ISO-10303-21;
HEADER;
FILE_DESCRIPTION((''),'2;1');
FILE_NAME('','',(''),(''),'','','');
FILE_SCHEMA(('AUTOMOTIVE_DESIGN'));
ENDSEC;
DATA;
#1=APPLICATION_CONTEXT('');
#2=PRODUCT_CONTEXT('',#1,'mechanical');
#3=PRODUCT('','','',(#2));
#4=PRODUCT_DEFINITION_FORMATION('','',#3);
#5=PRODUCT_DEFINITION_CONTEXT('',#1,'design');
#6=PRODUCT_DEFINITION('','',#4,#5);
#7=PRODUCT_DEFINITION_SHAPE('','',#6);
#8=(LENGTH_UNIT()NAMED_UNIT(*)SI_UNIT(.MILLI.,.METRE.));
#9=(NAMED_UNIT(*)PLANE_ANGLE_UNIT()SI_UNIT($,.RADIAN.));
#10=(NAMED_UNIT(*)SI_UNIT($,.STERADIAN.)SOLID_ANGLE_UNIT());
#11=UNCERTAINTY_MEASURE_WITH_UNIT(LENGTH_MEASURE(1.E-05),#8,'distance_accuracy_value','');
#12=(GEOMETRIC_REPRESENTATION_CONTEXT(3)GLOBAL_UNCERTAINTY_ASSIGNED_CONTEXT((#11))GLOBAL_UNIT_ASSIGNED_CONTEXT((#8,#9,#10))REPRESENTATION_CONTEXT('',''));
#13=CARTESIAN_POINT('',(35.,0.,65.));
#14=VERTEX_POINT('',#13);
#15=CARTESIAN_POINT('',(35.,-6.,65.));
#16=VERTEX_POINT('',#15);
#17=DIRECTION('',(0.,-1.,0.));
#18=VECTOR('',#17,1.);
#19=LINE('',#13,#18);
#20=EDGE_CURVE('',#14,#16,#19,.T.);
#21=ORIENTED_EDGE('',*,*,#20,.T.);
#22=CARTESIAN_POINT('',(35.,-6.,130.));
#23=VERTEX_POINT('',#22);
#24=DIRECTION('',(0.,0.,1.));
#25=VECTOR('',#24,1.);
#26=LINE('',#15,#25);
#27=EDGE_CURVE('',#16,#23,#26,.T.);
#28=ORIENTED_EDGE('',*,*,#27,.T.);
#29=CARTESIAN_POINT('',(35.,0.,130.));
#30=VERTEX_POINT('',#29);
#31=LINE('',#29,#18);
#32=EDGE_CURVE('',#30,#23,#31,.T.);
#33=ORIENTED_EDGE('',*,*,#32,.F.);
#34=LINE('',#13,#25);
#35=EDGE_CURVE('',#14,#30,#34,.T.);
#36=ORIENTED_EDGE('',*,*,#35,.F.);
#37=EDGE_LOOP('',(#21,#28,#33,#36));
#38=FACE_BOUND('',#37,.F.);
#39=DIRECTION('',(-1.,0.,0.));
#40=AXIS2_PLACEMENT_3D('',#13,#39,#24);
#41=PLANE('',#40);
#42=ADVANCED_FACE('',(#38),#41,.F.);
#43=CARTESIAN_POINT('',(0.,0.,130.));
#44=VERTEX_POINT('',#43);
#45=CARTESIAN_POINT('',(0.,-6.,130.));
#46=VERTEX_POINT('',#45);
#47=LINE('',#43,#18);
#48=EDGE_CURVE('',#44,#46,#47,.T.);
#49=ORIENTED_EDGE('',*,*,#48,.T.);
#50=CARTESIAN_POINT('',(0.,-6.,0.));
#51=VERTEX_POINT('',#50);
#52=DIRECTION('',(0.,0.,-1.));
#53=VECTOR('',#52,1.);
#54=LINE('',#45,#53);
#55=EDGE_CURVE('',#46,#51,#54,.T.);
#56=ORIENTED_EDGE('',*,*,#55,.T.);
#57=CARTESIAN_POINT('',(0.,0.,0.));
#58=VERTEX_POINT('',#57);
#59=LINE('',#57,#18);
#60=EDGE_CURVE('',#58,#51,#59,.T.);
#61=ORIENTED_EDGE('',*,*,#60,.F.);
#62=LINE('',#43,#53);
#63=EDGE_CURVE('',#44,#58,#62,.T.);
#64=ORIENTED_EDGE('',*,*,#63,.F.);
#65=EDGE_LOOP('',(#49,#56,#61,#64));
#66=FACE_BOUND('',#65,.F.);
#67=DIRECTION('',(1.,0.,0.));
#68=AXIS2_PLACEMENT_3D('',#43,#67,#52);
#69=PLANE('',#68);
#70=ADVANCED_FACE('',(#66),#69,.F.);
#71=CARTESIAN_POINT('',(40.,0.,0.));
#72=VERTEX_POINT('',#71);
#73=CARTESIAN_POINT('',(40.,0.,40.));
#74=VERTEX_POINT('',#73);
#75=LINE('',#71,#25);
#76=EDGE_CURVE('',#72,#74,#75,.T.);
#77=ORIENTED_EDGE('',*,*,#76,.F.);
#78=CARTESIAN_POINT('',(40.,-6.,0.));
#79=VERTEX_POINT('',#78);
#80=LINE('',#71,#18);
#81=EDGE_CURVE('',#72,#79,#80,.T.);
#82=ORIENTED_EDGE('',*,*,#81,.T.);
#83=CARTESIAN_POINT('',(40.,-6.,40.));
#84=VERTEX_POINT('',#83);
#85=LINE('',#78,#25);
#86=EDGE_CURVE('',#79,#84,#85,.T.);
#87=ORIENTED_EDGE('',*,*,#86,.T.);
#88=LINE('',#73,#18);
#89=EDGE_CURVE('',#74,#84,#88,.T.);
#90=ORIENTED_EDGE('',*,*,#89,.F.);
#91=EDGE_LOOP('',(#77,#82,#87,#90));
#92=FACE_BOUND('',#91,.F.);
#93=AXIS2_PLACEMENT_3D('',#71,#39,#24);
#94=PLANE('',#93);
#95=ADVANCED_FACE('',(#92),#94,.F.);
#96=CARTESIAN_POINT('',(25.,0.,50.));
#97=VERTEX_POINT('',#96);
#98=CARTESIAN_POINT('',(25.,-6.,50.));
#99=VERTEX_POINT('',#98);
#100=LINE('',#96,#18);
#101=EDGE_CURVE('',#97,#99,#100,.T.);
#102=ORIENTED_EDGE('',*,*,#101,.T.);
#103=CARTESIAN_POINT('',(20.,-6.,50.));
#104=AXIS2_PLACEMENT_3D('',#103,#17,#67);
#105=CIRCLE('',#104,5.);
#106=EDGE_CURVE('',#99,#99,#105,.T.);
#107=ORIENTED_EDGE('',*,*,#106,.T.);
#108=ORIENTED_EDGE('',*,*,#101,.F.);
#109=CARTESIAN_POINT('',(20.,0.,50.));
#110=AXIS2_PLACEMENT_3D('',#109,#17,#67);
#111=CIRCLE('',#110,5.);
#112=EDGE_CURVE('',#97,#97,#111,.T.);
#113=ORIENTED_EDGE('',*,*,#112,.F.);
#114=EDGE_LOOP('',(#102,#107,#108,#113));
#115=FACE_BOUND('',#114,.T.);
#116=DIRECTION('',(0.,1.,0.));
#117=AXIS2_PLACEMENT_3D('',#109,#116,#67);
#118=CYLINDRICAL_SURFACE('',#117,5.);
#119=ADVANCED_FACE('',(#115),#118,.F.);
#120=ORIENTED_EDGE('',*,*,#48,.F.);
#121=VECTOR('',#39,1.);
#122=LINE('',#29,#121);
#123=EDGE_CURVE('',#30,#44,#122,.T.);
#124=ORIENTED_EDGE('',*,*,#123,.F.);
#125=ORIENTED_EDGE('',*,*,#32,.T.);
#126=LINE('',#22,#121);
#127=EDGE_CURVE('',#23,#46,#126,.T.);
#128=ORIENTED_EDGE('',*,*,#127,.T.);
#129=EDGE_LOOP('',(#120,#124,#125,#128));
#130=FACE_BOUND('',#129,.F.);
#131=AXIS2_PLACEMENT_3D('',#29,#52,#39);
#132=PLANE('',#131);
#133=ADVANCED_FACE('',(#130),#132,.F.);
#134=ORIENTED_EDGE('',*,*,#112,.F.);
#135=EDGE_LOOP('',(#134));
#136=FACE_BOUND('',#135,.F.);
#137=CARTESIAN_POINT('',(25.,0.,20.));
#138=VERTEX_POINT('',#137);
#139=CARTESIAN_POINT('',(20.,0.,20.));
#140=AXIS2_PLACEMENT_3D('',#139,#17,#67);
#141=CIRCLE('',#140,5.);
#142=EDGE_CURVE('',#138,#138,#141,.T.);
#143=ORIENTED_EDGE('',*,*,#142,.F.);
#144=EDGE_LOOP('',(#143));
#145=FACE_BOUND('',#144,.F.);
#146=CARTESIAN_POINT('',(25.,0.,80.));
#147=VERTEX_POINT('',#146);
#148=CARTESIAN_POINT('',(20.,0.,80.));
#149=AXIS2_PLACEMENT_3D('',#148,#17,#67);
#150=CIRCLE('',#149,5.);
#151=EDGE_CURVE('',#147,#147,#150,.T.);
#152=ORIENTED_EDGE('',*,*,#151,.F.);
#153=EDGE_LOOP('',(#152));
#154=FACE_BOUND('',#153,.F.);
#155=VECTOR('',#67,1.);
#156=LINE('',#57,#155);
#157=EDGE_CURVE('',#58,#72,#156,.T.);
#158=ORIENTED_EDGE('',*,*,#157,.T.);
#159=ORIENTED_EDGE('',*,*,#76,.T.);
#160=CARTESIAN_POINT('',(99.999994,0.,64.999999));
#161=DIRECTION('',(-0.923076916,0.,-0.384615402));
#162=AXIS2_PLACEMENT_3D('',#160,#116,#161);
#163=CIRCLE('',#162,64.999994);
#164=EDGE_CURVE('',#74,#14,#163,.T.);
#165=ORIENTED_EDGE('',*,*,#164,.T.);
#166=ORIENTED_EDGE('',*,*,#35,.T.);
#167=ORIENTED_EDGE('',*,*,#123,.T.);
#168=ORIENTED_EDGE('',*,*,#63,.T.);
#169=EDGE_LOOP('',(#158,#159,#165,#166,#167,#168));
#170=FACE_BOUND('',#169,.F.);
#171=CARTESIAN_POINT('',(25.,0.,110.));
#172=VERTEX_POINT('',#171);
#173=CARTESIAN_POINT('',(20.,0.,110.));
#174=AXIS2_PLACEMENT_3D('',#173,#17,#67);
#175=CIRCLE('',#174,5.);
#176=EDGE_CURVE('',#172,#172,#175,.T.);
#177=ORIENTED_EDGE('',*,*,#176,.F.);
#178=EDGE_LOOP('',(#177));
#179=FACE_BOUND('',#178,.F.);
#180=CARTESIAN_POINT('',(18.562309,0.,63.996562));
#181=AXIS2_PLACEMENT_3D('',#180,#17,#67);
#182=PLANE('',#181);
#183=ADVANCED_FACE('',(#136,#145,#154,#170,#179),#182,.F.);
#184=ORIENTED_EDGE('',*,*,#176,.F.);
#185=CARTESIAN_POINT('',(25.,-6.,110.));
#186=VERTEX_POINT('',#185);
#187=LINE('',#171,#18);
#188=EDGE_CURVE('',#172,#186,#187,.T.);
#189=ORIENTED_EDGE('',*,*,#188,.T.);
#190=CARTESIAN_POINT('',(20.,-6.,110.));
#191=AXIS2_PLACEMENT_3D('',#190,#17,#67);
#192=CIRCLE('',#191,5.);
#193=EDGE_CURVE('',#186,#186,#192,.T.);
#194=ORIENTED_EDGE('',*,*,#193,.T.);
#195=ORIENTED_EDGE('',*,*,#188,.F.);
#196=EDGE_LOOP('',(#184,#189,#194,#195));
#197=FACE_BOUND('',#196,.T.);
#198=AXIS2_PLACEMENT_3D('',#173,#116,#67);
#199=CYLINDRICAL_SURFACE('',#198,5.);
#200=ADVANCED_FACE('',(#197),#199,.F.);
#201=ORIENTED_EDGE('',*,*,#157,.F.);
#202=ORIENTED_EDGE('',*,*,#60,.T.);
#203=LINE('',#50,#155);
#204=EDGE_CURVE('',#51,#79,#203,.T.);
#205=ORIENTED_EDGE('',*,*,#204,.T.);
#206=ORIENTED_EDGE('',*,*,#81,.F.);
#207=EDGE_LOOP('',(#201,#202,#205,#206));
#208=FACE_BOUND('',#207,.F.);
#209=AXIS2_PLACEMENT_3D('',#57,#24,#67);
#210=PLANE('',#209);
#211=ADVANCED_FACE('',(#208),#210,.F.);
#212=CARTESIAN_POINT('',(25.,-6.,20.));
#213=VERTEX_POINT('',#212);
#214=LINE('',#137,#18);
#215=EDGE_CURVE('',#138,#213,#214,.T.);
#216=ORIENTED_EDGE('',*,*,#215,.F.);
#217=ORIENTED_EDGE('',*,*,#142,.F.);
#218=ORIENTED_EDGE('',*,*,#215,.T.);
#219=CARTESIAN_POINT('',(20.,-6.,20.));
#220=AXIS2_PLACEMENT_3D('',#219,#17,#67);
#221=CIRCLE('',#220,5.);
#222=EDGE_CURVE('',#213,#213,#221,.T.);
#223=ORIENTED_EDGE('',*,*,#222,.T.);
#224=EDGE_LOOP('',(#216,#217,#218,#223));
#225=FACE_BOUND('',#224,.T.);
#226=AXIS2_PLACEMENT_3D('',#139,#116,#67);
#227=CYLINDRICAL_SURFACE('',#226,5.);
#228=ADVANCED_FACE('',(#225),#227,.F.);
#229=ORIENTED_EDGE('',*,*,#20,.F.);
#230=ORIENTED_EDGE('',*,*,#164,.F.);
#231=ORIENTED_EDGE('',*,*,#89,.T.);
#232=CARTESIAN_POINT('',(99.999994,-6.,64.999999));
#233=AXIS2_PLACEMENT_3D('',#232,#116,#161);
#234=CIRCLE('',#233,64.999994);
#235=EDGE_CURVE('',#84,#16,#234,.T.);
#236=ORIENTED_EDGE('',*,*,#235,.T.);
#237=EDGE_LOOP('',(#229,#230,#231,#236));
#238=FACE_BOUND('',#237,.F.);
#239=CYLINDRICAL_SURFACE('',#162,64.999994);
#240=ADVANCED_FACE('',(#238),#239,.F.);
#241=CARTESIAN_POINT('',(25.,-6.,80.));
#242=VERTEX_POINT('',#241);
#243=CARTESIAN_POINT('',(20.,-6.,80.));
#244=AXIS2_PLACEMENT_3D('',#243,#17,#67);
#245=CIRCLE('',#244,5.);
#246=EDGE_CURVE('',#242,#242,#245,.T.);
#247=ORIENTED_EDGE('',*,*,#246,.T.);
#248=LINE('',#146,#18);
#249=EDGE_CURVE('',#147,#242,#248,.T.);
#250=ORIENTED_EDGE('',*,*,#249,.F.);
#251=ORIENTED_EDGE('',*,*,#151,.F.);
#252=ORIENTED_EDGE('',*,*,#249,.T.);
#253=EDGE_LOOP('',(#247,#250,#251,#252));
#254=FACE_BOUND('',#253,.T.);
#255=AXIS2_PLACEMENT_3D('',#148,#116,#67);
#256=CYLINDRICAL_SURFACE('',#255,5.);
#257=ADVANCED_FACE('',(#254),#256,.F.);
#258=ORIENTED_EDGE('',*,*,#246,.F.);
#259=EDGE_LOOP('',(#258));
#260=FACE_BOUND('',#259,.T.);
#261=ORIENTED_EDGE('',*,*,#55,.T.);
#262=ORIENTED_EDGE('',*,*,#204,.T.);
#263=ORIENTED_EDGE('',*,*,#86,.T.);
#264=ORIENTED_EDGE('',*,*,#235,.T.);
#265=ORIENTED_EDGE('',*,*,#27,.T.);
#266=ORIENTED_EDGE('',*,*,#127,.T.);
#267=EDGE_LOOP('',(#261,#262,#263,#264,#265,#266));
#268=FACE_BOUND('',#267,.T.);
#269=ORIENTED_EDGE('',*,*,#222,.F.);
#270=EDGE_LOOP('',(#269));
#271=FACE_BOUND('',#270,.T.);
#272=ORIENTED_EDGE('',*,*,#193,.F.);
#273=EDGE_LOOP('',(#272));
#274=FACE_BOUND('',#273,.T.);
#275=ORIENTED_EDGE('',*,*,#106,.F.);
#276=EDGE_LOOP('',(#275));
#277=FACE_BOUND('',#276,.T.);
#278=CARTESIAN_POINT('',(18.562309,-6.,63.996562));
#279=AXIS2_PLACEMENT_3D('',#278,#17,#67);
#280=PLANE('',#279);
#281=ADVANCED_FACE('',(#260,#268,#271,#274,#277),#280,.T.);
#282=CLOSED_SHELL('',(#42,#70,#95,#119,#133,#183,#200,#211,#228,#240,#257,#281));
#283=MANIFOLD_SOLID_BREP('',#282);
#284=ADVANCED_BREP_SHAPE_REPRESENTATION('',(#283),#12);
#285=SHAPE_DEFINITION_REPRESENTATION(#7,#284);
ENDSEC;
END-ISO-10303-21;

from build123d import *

# Parameters (mm, degrees)
F0_R     = 5
F1_DEPTH = 6


with BuildPart() as f1:
    # F0 (on Front) → F1 (new body)
    with BuildSketch(Plane.XZ):
        with BuildLine():
            Line((0, 130), (0, 0))
            Line((0, 0), (40, 0))
            Line((40, 0), (40, 40))
            ThreePointArc((40, 40), (36.262256, 52.252451), (35, 65))
            Line((35, 65), (35, 130))
            Line((35, 130), (0, 130))
        make_face()
        with Locations((20, 20)):
            Circle(F0_R, mode=Mode.SUBTRACT)
        with Locations((20, 50)):
            Circle(F0_R, mode=Mode.SUBTRACT)
        with Locations((20, 80)):
            Circle(F0_R, mode=Mode.SUBTRACT)
        with Locations((20, 110)):
            Circle(F0_R, mode=Mode.SUBTRACT)
    extrude(amount=F1_DEPTH)


solid = f1.part
